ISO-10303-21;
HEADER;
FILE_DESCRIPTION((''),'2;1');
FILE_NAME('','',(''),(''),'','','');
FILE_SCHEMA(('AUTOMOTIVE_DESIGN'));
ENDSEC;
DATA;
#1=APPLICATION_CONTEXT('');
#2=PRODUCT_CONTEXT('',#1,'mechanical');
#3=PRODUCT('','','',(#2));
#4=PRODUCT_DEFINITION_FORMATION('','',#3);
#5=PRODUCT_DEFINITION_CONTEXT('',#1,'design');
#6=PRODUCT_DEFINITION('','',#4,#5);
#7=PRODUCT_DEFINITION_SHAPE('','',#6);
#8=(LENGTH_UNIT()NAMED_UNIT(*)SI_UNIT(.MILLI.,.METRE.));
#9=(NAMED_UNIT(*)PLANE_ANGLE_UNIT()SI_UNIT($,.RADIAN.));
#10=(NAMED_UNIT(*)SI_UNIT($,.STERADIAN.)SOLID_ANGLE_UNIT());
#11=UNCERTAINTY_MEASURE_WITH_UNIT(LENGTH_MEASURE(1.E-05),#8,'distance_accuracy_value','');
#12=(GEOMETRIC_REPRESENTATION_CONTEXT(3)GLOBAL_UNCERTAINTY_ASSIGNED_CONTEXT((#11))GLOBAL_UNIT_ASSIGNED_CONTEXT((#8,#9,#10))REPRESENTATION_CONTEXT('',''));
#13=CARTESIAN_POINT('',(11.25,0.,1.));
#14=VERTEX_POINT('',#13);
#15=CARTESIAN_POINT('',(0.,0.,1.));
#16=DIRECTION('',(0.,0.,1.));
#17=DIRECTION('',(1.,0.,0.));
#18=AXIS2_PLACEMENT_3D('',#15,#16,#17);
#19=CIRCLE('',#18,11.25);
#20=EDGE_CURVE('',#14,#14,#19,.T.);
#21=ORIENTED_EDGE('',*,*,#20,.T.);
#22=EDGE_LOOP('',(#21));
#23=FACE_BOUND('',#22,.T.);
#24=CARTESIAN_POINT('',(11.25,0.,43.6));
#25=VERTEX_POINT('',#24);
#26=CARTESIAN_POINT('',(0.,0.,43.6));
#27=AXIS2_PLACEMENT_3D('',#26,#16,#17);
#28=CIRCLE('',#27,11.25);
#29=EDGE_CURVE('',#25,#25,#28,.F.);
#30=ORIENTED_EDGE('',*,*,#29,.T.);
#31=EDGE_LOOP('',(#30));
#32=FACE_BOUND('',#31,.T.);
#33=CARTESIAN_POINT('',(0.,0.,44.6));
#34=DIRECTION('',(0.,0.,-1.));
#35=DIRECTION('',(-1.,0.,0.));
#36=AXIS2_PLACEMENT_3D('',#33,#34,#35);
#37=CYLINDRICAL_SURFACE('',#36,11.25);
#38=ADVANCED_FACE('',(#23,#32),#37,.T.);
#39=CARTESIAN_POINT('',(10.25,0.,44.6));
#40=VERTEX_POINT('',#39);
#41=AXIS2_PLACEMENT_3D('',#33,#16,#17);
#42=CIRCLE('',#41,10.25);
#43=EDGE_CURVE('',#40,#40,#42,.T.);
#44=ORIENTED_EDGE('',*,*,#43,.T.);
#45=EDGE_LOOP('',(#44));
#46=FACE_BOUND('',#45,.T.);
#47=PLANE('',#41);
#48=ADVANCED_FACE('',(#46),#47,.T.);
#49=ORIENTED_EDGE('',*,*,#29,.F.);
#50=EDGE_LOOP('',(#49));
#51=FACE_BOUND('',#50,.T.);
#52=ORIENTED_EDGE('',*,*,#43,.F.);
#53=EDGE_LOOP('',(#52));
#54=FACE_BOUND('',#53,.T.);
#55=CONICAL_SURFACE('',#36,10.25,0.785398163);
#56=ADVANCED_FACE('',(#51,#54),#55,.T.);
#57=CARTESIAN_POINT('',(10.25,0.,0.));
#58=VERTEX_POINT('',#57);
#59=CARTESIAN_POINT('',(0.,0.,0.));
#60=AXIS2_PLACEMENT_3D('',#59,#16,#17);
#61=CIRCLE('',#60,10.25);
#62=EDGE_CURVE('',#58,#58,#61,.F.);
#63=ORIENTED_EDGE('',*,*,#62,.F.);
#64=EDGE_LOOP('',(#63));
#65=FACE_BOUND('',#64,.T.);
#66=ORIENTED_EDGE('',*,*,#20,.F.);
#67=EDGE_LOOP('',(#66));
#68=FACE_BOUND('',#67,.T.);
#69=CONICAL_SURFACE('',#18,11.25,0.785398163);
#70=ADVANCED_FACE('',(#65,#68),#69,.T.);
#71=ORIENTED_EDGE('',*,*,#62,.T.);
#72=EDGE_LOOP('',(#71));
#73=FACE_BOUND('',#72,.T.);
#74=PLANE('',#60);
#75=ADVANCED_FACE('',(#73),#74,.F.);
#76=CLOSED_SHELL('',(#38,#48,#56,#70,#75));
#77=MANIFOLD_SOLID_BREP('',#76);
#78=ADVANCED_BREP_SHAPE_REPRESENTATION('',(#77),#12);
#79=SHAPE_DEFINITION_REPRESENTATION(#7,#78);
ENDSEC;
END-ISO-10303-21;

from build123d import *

# Parameters (mm, degrees)
ESQUISSE1_R      = 11.25
EXTRUSION1_DEPTH = 44.6
CHANFREIN1_SIZE  = 1


with BuildPart() as part:
    # Esquisse1 → Extrusion1 (new body)
    with BuildSketch(Plane.XY):
        Circle(ESQUISSE1_R)
    extrude(amount=EXTRUSION1_DEPTH)

    # Chanfrein1
    chanfrein1_edges = [part.edges().sort_by_distance(p)[0] for p in [
        (-11.25, 0, 0),
        (-11.25, 0, 44.6),
    ]]
    chamfer(chanfrein1_edges, length=CHANFREIN1_SIZE)


solid = part.part
